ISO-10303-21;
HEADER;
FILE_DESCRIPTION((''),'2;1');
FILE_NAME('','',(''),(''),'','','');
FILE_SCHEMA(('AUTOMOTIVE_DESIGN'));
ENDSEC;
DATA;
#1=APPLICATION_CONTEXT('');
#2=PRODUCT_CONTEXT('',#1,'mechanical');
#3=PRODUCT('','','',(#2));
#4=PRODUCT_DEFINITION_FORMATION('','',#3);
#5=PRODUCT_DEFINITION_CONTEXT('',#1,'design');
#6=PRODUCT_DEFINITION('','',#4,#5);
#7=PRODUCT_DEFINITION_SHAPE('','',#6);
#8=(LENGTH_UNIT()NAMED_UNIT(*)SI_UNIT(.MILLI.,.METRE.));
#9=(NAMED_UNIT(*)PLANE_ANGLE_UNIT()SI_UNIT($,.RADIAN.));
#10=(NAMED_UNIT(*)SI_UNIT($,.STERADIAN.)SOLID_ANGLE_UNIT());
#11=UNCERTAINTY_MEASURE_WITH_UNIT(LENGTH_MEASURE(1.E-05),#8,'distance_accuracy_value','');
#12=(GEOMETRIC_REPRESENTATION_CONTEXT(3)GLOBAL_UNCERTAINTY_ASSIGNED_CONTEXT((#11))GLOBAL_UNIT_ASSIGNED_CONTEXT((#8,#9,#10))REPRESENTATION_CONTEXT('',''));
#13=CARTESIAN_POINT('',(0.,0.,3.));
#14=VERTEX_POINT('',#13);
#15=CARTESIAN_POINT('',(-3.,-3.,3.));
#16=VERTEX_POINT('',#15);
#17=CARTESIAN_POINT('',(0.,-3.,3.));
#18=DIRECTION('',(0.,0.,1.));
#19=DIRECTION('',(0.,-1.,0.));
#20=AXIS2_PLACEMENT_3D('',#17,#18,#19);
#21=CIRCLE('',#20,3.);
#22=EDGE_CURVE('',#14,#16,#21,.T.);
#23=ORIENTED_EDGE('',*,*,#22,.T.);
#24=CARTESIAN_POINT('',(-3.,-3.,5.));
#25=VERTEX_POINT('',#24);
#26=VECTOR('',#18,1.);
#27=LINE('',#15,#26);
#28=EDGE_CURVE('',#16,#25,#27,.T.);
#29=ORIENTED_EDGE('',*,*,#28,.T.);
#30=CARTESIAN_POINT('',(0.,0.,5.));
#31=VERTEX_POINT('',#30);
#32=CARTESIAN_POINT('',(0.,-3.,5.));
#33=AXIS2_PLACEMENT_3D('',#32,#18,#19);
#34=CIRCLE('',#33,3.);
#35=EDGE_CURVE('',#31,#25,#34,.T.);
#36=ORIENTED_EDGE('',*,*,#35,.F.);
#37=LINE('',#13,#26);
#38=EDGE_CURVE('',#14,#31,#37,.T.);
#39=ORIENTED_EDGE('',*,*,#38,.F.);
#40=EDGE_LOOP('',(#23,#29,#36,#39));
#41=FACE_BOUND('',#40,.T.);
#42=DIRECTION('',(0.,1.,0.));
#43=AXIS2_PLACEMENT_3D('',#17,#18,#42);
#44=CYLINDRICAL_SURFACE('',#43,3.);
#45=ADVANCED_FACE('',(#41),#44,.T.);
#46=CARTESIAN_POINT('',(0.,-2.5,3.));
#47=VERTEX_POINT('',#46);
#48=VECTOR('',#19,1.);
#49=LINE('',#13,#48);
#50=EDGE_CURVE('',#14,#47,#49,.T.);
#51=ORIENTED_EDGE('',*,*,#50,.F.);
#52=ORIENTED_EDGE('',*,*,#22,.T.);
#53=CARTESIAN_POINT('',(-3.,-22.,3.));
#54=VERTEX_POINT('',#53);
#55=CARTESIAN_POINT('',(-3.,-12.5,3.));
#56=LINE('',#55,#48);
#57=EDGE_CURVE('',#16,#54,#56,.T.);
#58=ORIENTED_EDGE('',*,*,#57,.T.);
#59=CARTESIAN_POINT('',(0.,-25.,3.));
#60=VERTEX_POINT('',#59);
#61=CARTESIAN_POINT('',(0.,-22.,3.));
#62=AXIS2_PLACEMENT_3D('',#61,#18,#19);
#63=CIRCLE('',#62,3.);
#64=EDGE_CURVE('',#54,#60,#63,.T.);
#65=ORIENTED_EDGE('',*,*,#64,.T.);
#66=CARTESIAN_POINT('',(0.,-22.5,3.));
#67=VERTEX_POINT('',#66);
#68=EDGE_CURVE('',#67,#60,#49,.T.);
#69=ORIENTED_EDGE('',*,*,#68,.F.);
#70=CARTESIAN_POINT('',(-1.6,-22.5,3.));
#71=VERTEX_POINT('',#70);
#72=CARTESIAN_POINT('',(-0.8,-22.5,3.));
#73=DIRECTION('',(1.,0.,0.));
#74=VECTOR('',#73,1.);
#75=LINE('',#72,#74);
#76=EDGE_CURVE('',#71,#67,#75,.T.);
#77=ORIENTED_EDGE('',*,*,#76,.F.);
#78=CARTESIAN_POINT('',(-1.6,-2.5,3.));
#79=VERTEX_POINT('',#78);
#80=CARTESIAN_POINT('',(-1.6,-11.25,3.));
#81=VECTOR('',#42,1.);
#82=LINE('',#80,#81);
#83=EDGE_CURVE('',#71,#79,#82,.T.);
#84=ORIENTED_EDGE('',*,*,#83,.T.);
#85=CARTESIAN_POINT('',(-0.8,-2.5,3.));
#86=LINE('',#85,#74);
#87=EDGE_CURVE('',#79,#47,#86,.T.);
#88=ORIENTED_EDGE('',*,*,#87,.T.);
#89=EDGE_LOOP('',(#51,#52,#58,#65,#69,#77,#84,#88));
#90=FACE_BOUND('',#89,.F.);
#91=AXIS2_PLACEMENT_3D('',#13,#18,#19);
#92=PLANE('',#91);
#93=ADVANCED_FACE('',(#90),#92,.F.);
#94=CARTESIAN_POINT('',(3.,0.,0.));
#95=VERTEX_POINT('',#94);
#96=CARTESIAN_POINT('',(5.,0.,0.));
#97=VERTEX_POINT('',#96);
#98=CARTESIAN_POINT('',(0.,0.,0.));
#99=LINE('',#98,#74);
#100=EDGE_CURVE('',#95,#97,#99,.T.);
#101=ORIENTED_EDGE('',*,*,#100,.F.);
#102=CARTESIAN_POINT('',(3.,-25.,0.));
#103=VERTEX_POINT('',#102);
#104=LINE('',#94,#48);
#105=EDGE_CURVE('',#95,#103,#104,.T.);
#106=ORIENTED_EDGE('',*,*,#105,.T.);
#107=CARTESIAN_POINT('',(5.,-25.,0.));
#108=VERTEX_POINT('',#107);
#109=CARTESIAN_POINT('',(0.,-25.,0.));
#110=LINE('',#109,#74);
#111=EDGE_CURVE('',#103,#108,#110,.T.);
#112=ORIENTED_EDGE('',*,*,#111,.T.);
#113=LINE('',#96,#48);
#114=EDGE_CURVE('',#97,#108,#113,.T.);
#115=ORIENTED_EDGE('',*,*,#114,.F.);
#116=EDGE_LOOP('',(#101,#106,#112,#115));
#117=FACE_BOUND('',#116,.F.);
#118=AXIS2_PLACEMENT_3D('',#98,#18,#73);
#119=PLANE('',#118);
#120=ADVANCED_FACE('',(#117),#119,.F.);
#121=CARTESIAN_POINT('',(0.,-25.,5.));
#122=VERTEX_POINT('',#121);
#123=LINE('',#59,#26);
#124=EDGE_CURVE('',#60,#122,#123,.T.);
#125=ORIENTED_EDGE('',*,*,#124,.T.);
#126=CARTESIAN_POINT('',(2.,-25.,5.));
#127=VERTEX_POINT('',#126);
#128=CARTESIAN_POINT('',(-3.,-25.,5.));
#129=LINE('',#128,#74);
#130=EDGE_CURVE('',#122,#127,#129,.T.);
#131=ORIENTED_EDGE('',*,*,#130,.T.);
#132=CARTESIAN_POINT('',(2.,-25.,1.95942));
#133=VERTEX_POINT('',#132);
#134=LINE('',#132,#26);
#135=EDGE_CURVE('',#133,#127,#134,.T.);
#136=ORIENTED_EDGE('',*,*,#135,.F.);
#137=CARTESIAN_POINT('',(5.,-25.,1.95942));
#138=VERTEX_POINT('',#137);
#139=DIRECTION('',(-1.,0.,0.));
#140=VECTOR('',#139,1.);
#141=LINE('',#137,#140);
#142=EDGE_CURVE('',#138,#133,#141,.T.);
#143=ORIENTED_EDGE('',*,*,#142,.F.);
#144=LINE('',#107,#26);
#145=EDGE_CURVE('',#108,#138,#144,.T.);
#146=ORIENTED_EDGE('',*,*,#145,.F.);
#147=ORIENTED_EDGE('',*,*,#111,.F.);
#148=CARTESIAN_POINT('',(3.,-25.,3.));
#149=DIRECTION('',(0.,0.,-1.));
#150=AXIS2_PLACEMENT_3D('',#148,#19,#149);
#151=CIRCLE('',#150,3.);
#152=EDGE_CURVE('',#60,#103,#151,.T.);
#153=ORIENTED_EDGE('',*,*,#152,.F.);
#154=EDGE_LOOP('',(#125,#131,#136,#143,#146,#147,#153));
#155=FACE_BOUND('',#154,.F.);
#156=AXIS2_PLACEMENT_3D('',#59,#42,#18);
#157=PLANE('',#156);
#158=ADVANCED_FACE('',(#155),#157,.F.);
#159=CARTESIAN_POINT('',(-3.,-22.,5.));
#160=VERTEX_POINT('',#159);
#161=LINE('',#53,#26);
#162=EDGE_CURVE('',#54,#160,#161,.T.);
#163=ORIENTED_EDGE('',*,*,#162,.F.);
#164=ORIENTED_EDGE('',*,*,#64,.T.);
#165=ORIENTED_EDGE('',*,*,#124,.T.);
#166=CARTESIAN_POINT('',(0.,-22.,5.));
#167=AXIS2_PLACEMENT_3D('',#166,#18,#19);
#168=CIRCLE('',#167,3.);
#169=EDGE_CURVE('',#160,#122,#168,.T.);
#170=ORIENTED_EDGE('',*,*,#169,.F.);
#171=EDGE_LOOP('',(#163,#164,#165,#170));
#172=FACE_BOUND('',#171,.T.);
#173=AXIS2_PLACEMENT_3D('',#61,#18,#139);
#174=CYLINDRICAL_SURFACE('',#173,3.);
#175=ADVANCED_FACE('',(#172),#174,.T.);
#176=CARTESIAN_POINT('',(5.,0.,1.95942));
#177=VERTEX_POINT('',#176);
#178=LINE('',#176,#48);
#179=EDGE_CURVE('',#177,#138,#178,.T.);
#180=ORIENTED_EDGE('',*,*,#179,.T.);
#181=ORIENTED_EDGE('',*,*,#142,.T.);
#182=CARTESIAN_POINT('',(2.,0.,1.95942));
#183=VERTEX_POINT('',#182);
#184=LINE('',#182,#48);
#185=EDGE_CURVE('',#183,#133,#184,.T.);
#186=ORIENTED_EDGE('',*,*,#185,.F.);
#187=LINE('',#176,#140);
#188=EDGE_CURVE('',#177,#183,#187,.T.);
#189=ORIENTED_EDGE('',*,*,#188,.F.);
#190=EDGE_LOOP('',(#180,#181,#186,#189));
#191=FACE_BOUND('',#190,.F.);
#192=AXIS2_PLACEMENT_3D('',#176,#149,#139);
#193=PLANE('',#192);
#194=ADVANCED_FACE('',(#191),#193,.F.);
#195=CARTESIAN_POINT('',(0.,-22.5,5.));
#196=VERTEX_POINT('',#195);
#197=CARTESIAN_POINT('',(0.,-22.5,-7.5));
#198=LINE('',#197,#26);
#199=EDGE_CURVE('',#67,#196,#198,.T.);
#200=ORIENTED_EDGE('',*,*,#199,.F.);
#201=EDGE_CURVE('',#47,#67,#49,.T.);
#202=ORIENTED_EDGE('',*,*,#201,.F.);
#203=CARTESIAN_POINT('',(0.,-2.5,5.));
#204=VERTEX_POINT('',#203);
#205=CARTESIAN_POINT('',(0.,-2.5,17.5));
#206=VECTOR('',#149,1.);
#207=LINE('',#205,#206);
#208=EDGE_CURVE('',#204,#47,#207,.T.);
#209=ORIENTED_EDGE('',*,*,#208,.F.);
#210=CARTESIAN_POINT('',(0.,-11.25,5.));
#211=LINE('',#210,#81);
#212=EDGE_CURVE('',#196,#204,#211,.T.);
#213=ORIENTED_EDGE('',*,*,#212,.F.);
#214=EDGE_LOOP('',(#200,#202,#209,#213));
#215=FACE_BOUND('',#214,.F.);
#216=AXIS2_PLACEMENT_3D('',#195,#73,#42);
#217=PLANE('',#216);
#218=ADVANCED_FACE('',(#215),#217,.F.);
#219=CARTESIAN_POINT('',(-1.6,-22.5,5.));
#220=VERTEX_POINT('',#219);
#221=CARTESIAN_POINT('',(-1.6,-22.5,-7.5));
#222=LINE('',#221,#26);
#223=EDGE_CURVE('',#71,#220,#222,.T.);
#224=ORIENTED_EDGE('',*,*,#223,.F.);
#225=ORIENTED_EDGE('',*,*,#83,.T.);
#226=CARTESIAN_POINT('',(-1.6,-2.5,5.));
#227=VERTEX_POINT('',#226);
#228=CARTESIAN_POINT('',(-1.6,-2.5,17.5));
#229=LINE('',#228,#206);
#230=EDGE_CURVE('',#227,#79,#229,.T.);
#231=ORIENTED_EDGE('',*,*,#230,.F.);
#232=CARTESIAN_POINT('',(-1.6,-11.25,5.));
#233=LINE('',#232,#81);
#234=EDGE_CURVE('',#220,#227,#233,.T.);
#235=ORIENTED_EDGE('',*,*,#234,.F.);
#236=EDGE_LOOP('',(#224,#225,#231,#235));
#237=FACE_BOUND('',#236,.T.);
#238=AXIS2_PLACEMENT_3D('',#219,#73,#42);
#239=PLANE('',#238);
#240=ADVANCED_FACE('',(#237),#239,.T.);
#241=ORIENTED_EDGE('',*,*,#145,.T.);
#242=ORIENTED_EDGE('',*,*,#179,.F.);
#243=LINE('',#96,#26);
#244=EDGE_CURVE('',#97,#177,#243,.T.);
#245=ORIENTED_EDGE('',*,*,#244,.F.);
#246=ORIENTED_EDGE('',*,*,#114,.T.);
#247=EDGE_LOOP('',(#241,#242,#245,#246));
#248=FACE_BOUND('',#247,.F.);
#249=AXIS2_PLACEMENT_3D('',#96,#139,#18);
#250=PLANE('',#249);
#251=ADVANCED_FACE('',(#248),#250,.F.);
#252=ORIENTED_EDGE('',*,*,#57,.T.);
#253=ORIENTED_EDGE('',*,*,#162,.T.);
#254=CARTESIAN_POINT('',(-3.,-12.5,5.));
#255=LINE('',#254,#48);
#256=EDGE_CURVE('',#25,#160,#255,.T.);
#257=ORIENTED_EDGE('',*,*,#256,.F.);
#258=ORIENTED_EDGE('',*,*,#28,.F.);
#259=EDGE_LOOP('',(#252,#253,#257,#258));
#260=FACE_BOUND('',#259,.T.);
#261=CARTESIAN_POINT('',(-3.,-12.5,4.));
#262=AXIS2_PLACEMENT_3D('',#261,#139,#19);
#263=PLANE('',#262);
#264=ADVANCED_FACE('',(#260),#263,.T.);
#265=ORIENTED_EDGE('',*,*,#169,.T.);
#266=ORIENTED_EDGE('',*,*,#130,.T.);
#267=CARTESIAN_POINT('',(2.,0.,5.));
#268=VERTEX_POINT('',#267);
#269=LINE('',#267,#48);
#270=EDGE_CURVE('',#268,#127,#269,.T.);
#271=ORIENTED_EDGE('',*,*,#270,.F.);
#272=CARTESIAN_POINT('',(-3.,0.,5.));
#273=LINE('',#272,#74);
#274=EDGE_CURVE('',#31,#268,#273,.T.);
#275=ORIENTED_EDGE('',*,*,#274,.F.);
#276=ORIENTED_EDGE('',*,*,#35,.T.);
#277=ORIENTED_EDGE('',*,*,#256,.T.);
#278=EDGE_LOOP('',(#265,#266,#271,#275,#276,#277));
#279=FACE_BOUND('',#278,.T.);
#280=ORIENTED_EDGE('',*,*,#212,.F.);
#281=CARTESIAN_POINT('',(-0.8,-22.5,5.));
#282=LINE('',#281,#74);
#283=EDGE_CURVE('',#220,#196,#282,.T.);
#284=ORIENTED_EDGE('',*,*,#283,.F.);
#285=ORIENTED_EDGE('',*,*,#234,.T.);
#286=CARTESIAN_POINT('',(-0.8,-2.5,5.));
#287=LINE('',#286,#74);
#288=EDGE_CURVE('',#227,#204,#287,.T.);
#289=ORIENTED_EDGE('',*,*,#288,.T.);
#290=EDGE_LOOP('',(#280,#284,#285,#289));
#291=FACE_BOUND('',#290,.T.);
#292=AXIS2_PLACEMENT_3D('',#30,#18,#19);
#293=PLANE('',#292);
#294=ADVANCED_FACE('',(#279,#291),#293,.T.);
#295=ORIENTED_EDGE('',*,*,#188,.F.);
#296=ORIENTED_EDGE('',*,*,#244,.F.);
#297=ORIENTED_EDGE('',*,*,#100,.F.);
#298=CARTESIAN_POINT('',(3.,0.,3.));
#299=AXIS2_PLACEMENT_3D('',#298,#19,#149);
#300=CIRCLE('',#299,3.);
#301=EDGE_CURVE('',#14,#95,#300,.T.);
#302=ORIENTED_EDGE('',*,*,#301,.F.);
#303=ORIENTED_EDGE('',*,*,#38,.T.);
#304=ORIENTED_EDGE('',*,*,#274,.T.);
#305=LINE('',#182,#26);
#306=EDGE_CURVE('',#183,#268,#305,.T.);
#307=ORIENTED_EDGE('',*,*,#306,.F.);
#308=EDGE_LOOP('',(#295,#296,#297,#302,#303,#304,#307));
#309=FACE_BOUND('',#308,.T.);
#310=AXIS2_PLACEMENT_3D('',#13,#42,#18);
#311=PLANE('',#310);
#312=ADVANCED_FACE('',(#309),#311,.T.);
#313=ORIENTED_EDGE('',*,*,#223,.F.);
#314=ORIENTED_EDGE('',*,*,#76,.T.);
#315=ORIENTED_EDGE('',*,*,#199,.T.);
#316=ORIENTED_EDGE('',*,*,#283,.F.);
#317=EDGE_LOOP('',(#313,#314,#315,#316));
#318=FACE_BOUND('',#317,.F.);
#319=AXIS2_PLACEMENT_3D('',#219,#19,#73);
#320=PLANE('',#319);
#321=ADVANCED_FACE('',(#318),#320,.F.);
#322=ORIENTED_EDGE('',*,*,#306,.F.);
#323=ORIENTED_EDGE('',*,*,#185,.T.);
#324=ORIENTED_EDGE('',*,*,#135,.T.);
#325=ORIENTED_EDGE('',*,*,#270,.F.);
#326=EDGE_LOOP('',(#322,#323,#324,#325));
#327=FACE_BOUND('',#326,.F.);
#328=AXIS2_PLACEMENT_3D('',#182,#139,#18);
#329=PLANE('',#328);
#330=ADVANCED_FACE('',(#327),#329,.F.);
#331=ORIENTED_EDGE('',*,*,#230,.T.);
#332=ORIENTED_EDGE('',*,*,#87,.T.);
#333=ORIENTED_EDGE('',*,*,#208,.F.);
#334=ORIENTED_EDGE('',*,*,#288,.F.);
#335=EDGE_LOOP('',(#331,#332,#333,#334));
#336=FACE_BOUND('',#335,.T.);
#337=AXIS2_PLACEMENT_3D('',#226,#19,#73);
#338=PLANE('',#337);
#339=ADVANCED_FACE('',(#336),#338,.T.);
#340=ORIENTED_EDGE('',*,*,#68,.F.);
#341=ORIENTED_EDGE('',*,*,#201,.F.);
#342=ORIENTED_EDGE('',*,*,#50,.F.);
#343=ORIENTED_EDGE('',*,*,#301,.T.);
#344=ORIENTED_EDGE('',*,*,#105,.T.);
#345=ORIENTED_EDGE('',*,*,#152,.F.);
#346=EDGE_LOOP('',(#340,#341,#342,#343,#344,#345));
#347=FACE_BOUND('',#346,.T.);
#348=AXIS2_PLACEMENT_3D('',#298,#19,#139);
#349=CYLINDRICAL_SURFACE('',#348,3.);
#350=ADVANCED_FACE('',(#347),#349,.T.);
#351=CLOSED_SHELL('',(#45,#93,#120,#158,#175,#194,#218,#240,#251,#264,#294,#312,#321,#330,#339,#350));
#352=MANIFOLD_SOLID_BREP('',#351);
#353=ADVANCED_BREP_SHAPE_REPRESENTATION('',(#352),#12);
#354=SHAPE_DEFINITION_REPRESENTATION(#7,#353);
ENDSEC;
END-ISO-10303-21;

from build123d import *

# Parameters (mm, degrees)
F1_DEPTH = 25
F2_R     = 3
F3_W     = 25
F3_H     = 2
F4_DEPTH = 3
F5_W     = 1.6
F5_H     = 20
F6_DEPTH = 12.5
F7_R     = 3


with BuildPart() as f1:
    # F0 (on Front) → F1 (new body)
    with BuildSketch(Plane.XZ):
        Polygon((2, 5), (0, 5), (0, 0), (5, 0), (5, 1.95942), (2, 1.95942), align=None)
    extrude(amount=F1_DEPTH)

    # F2
    f2_edges = [f1.edges().sort_by_distance(p)[0] for p in [
        (0, -12.5, 0),
    ]]
    fillet(f2_edges, radius=F2_R)

    # F3 (on face) → F4 (join)
    with BuildSketch(Plane(origin=(0, 0, 0), x_dir=(0, -1, 0), z_dir=(-1, 0, 0))):
        with Locations((12.5, 4)):
            Rectangle(F3_W, F3_H)
    extrude(amount=F4_DEPTH)

    # F5 (on face) → F6 (cut, symmetric)
    with BuildSketch(Plane.XY.offset(5)):
        with Locations((-0.8, -12.5)):
            Rectangle(F5_W, F5_H)
    extrude(amount=F6_DEPTH, both=True, mode=Mode.SUBTRACT)

    # F7
    f7_edges = [f1.edges().sort_by_distance(p)[0] for p in [
        (-3, 0, 4),
        (-3, -25, 4),
    ]]
    fillet(f7_edges, radius=F7_R)


solid = f1.part
